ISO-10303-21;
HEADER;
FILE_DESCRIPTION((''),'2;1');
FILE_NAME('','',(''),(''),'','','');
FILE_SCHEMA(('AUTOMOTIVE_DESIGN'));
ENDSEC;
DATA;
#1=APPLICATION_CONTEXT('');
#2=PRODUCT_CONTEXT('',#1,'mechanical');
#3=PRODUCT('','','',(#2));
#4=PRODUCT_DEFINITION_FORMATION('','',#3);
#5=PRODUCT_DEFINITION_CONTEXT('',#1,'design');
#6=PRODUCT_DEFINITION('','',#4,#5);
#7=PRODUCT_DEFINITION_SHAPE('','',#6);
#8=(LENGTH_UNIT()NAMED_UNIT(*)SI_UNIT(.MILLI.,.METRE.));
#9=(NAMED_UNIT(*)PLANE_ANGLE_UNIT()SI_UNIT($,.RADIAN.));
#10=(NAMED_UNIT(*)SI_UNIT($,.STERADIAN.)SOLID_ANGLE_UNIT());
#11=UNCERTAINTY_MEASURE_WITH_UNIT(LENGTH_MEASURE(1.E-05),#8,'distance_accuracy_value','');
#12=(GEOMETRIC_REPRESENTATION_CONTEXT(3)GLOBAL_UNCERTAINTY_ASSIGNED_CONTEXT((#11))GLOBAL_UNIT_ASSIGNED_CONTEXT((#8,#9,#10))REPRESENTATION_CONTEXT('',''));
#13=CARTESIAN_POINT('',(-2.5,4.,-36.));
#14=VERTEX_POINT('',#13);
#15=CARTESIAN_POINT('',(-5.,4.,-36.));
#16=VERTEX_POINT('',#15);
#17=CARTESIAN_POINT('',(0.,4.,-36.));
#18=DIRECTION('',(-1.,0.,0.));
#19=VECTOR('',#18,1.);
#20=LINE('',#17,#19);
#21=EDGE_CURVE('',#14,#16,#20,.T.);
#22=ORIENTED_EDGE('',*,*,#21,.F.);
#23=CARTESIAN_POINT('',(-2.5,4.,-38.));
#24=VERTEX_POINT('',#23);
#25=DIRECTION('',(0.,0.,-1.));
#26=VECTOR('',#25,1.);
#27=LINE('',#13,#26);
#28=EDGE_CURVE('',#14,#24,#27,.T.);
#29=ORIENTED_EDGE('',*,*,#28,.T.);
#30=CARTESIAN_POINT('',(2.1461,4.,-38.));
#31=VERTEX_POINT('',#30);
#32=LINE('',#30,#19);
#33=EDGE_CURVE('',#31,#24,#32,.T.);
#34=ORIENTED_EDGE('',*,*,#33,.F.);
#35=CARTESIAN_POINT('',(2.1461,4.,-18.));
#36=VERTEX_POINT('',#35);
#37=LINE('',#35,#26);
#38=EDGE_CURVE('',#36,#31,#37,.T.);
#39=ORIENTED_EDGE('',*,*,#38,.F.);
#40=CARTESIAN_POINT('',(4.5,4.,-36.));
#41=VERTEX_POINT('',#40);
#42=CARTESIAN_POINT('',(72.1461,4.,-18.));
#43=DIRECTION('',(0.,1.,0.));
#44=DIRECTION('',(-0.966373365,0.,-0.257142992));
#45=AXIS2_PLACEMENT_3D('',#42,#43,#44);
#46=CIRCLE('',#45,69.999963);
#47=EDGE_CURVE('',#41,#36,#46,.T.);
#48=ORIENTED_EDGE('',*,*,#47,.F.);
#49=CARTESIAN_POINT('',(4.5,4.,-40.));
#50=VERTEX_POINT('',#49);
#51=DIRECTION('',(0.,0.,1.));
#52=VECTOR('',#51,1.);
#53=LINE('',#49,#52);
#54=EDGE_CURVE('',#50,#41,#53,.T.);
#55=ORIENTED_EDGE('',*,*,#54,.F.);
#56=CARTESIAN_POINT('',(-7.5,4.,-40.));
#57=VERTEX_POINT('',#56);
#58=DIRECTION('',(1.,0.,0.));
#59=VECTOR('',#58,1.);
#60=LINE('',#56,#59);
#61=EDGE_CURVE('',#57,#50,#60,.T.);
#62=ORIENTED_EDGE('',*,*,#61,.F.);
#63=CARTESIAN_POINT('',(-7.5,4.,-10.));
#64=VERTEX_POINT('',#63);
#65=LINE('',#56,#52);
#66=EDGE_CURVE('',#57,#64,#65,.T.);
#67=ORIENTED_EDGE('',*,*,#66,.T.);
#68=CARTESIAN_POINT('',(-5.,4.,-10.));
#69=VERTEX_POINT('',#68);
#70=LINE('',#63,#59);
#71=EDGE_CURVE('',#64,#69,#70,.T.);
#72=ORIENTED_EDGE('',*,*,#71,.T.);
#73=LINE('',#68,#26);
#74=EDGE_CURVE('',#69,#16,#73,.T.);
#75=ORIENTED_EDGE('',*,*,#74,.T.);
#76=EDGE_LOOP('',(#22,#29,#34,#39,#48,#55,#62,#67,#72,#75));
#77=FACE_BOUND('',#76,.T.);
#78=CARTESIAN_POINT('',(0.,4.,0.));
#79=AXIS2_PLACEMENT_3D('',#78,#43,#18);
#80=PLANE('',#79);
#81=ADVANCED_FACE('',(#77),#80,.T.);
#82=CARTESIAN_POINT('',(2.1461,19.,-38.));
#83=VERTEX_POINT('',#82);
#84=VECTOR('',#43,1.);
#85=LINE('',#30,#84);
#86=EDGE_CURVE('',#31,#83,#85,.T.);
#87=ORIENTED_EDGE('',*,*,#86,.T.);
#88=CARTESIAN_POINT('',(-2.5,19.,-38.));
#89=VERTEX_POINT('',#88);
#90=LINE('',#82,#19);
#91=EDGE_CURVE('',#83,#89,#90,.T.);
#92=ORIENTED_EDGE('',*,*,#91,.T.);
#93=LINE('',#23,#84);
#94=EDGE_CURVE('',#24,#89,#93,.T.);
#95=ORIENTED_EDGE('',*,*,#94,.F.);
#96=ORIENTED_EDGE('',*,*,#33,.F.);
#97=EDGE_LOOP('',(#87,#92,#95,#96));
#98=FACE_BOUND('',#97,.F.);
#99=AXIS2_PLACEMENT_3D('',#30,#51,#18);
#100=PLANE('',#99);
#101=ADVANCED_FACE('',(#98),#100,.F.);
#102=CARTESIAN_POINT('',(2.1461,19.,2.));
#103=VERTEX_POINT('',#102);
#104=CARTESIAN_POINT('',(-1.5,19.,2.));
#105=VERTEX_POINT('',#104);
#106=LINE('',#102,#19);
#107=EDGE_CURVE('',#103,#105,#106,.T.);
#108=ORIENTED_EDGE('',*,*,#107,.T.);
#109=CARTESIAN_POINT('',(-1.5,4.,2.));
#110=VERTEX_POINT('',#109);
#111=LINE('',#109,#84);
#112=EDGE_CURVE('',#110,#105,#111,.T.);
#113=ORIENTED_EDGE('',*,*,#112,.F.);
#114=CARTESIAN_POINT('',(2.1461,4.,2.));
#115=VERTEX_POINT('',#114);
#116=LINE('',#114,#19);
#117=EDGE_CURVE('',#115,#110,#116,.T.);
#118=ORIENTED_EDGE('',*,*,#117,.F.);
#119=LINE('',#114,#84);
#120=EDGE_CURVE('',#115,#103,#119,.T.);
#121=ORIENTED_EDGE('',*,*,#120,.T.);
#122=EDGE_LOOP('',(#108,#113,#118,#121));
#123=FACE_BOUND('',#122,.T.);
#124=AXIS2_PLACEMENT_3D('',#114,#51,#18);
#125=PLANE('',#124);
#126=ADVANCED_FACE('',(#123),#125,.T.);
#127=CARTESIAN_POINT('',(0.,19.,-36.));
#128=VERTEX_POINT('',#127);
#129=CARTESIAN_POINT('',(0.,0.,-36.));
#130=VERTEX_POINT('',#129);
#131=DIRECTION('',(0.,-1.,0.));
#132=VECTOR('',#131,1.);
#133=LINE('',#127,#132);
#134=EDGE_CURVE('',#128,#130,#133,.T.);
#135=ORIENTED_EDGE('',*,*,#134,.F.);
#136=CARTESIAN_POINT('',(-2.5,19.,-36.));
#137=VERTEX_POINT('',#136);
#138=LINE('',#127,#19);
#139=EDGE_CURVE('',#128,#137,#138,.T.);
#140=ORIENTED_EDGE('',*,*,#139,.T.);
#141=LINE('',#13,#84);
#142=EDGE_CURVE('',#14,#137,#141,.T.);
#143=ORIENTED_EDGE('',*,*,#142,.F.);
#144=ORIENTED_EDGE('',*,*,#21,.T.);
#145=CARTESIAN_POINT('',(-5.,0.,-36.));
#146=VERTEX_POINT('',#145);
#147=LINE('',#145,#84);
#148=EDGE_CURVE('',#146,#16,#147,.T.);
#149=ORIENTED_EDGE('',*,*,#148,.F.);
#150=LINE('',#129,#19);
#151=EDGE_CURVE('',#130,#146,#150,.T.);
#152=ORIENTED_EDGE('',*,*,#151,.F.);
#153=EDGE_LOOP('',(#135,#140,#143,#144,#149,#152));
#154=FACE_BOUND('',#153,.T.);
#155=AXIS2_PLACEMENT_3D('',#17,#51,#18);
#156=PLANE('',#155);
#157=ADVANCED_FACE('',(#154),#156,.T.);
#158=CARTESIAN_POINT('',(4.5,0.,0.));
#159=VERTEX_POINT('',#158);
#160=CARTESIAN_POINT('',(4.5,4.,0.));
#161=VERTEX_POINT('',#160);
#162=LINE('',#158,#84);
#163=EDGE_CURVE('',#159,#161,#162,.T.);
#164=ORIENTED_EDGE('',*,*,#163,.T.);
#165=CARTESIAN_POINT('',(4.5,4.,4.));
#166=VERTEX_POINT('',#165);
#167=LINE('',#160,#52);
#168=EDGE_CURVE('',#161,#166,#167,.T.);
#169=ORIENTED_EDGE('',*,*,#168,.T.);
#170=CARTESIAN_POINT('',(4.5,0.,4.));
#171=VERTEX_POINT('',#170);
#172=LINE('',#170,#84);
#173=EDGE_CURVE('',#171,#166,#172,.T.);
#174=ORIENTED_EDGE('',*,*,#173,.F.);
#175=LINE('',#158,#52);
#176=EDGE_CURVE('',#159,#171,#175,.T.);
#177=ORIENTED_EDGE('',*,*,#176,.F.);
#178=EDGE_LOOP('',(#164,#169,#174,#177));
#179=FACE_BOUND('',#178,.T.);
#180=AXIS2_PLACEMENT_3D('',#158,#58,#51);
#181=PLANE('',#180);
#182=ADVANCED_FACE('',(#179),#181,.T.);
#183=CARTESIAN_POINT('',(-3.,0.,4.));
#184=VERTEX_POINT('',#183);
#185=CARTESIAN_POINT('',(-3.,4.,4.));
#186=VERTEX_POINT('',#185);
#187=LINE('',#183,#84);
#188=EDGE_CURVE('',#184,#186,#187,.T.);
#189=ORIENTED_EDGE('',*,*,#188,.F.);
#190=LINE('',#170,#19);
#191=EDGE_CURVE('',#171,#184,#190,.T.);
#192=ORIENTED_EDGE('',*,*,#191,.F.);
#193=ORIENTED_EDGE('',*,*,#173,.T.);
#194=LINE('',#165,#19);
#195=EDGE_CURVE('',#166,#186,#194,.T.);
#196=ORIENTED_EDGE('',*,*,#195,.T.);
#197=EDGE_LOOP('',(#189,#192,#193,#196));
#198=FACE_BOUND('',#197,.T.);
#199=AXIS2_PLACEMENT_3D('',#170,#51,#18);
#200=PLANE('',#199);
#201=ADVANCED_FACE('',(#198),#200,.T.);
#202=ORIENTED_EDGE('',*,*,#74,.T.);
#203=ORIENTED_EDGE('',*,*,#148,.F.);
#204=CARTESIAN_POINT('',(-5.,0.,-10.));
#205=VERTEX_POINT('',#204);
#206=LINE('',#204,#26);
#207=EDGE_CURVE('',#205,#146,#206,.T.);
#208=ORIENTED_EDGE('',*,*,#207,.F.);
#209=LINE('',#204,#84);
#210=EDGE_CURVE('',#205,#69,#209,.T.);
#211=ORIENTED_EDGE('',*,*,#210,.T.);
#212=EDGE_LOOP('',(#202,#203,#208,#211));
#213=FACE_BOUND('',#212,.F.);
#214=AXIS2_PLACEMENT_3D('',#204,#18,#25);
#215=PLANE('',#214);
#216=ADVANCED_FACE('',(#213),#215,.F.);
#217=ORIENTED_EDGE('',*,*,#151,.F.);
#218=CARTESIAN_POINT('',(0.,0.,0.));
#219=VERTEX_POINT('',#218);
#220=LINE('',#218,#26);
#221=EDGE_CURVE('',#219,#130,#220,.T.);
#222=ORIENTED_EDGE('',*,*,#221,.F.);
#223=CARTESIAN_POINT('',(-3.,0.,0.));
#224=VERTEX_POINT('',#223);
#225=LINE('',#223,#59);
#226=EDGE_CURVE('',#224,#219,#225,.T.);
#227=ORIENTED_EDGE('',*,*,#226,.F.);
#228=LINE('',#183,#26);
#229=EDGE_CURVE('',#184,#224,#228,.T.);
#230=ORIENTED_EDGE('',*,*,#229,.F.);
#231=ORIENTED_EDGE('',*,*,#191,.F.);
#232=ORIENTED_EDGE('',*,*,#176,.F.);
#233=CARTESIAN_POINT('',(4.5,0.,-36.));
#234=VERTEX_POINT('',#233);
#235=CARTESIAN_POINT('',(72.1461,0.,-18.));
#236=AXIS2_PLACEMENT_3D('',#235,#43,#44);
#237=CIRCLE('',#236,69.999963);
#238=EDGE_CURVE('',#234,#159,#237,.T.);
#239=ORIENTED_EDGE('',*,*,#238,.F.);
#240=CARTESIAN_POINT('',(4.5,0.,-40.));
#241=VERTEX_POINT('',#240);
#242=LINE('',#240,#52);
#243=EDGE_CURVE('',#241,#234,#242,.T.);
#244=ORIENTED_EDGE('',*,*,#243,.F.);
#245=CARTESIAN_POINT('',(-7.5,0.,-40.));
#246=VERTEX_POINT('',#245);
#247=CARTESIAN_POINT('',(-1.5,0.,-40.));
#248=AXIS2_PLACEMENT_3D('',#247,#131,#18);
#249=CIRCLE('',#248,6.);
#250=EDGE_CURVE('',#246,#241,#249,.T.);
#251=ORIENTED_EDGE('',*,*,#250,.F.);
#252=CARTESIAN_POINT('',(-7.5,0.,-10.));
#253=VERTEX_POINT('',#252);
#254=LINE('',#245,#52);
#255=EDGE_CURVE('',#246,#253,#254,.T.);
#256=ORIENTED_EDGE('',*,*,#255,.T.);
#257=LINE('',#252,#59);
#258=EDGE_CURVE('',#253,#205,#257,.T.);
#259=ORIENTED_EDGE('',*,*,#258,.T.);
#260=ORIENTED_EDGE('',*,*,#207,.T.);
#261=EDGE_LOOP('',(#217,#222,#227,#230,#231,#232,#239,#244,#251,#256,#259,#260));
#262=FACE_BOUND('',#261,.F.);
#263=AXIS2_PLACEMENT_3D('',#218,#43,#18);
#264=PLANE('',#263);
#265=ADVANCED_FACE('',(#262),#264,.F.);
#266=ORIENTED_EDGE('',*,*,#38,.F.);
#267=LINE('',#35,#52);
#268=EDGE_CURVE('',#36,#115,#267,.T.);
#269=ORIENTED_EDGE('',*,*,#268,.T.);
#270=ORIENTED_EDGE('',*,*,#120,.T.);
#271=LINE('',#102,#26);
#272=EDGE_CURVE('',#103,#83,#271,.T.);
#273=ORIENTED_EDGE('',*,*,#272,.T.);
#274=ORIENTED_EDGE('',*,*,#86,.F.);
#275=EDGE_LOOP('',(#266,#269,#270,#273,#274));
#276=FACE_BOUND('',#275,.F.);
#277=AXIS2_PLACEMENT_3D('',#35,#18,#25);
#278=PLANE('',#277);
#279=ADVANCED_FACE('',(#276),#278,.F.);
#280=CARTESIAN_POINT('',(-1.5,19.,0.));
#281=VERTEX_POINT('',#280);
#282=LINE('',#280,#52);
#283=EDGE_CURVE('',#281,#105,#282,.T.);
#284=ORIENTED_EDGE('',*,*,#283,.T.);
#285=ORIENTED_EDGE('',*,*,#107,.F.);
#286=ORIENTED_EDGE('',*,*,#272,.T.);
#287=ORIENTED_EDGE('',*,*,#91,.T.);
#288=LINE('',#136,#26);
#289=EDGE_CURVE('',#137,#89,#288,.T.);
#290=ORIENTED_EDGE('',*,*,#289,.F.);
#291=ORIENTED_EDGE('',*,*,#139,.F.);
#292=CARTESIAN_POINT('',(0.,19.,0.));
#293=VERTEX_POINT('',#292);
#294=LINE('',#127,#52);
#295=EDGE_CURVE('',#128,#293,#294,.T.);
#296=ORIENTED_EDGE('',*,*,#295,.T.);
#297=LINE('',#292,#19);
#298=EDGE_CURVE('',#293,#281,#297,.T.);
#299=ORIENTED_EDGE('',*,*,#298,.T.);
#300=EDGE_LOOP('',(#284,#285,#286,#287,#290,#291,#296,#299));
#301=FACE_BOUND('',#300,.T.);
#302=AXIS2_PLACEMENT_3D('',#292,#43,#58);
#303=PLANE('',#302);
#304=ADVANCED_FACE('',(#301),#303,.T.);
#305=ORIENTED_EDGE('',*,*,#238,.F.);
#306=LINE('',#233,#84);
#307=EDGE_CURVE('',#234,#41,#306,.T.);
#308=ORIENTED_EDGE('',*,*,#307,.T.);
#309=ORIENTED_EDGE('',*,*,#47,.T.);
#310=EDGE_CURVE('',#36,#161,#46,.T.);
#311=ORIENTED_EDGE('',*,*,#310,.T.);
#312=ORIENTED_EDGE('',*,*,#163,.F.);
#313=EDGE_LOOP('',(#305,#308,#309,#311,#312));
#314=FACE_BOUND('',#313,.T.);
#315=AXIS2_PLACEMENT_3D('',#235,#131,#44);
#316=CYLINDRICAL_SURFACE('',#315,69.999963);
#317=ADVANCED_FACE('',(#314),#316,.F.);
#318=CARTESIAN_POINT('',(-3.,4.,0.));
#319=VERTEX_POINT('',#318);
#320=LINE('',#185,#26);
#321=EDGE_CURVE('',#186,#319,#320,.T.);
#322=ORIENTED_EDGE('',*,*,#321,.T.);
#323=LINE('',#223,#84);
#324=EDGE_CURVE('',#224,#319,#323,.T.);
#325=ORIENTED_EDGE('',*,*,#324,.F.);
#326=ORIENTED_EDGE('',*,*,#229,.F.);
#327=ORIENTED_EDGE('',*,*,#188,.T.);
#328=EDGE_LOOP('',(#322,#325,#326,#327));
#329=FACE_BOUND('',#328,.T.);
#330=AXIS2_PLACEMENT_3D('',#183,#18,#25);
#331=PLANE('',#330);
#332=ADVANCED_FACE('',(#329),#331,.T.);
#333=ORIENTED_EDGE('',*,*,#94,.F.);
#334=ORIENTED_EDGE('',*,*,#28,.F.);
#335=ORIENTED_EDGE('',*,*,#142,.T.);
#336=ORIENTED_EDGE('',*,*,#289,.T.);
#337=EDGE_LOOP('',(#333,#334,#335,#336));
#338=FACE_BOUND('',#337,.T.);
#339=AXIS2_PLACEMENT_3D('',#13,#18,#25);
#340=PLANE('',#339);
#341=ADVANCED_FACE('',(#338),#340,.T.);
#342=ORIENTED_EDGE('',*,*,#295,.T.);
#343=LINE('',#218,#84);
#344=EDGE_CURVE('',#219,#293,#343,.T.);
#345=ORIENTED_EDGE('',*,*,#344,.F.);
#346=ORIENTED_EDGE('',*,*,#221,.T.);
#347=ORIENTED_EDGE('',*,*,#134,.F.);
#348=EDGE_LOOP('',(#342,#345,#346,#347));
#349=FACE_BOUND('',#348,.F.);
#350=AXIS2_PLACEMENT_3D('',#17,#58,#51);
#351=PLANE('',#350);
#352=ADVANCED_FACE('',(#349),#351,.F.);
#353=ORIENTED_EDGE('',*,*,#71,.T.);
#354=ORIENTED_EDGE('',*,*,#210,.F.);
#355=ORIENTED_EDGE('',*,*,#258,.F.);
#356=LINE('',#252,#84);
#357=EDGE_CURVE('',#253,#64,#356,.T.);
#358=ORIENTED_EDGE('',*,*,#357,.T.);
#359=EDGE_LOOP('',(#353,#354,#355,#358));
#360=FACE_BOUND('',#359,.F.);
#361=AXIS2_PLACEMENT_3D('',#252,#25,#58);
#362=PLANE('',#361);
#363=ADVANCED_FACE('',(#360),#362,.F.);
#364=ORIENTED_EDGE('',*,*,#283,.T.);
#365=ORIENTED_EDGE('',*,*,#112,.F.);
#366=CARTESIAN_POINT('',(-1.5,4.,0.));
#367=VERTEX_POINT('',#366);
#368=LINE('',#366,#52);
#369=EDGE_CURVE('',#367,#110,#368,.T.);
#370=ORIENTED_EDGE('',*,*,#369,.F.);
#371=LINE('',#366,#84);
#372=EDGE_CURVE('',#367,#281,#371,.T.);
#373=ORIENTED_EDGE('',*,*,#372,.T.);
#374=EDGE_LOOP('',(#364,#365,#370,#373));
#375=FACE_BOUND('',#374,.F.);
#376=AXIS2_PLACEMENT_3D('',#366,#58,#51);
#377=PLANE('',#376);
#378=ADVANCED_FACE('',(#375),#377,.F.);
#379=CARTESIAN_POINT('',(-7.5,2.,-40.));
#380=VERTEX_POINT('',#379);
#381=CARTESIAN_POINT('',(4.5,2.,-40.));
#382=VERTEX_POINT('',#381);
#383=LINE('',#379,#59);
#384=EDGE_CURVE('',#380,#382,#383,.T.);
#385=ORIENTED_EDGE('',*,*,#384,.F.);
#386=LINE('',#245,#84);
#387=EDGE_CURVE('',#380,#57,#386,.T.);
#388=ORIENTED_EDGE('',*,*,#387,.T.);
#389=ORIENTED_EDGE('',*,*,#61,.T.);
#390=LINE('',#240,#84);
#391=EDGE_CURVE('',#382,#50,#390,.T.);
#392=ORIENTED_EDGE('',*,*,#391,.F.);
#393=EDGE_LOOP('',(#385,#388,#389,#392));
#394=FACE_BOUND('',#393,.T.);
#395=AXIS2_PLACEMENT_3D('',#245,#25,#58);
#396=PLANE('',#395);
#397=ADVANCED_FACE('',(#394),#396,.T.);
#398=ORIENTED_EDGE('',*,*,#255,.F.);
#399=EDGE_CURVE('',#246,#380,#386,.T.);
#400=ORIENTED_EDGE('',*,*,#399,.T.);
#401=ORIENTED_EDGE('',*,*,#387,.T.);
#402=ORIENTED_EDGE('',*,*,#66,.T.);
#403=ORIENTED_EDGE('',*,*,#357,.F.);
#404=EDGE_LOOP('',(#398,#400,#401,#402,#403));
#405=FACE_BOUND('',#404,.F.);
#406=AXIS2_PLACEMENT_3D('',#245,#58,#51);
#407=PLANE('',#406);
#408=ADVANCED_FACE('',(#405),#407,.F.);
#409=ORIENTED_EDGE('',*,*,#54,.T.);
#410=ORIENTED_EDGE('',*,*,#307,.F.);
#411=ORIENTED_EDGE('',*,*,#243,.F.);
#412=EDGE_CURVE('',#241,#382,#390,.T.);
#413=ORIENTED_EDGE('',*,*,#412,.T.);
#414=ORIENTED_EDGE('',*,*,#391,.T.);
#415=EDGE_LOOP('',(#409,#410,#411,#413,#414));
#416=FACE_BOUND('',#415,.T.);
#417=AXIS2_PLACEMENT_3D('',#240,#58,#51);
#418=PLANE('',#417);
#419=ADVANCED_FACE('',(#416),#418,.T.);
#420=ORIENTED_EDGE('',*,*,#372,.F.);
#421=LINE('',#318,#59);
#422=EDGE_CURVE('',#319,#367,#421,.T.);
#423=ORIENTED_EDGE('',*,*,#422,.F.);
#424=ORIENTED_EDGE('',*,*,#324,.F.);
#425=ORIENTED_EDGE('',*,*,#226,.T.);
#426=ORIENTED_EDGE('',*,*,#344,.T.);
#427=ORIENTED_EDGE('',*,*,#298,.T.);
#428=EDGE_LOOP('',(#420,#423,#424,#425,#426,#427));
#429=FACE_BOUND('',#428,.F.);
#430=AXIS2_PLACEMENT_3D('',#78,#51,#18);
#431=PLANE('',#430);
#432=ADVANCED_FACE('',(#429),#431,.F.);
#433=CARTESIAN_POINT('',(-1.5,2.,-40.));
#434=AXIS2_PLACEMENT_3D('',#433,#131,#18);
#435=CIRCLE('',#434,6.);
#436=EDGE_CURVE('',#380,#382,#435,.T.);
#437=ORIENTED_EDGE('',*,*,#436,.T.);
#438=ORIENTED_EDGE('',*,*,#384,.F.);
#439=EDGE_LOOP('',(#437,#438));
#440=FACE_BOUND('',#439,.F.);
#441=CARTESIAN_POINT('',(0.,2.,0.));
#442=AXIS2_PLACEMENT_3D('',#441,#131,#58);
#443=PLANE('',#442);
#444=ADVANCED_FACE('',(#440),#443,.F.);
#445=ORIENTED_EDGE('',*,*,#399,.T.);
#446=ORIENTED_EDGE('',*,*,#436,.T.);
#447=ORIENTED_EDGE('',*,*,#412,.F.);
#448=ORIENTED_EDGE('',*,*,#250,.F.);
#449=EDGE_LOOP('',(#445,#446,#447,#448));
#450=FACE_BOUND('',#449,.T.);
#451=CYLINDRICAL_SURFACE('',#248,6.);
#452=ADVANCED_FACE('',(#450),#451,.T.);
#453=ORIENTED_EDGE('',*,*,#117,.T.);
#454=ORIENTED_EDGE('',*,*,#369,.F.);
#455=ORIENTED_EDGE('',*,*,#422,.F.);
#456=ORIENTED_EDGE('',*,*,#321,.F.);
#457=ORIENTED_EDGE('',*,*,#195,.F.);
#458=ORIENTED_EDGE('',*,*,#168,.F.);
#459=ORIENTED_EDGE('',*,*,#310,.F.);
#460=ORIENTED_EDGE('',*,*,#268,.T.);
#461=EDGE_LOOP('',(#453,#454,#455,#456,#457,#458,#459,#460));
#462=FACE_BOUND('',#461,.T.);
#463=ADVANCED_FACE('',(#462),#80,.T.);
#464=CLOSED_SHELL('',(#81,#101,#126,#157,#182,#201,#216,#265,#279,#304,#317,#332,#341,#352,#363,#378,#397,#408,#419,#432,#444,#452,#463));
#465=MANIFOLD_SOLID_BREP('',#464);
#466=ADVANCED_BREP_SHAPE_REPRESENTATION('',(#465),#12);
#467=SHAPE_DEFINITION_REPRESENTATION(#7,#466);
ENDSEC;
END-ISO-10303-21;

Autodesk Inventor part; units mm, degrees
ref_plane "YZ Plane" through (0, 0, 0) normal (1, 0, 0) x (0, 1, 0)
ref_plane "XZ Plane" through (0, 0, 0) normal (0, 1, 0) x (-1, 0, 0)
ref_plane "XY Plane" through (0, 0, 0) normal (0, 0, 1) x (1, 0, 0)
sketch "Sketch1" plane through (0, 0, 0) normal (0, 1, 0) x (-1, 0, 0)
  line L0 (0, 0) -> (0, -36)
  line L1 (0, -36) -> (5, -36)
  line L2 (7.5, -40) -> (-4.5, -40)
  line L3 (-4.5, -40) -> (-4.5, -36)
  arc A0 (-4.5, -36) -> (-4.5, 0) centre (-72.1461, -18) ccw
  line L4 (-4.5, 0) -> (-4.5, 4)
  line L5 (-4.5, 4) -> (3, 4)
  line L6 (3, 4) -> (3, 0)
  line L7 (3, 0) -> (0, 0)
  line L8 (7.5, -40) -> (7.5, -10)
  line L9 (7.5, -10) -> (5, -10)
  line L10 (5, -10) -> (5, -36)
  dimension "d0" = 36
  dimension "d1" = 5
  dimension "d4" = 12
  dimension "d6" = 70
  dimension "d7" = 4
  dimension "d8" = 7.5
  dimension "d20" = 30
extrude "Extrusion1" add sketch "Sketch1" along normal blind 4
sketch "Sketch2" plane through (0, 0, 0) normal (0, -1, 0) x (1, 0, 0)
  line L0 (-7.5, -40) -> (4.5, -40) projected
  arc A0 (-7.5, -40) -> (4.5, -40) centre (-1.5, -40) ccw
  line L1 (4.5, -40) -> (-7.5, -40)
  point P0 (0, 0)
extrude "Extrusion2" add sketch "Sketch2" against normal blind 2
sketch "Sketch3" plane through (0, 4, 0) normal (0, 1, 0) x (1, 0, 0)
  line L0 (0, 0) -> (-1.5, 0)
  line L1 (-3, 0) -> (0, 0) projected
  line L2 (-1.5, 0) -> (-1.5, -2)
  arc A0 (4.5, 36) -> (4.5, 0) centre (72.1461, 18) ccw projected
  line L3 (2.1461, 18) -> (2.1461, -2)
  line L4 (2.1461, -2) -> (-1.5, -2)
  line L5 (0, 36) -> (-5, 36) projected
  line L6 (-2.5, 36) -> (-2.5, 38)
  line L7 (2.1461, 18) -> (2.1461, 38)
  line L8 (2.1461, 38) -> (-2.5, 38)
  line L9 (0, 36) -> (0, 0) projected
  line L10 (0, 0) -> (0, 36)
  line L11 (0, 36) -> (-2.5, 36)
  dimension "d15" = 2
  dimension "d17" = 2
extrude "Extrusion3" add sketch "Sketch3" along normal blind 15
properties part number "sem2_plateclip"
